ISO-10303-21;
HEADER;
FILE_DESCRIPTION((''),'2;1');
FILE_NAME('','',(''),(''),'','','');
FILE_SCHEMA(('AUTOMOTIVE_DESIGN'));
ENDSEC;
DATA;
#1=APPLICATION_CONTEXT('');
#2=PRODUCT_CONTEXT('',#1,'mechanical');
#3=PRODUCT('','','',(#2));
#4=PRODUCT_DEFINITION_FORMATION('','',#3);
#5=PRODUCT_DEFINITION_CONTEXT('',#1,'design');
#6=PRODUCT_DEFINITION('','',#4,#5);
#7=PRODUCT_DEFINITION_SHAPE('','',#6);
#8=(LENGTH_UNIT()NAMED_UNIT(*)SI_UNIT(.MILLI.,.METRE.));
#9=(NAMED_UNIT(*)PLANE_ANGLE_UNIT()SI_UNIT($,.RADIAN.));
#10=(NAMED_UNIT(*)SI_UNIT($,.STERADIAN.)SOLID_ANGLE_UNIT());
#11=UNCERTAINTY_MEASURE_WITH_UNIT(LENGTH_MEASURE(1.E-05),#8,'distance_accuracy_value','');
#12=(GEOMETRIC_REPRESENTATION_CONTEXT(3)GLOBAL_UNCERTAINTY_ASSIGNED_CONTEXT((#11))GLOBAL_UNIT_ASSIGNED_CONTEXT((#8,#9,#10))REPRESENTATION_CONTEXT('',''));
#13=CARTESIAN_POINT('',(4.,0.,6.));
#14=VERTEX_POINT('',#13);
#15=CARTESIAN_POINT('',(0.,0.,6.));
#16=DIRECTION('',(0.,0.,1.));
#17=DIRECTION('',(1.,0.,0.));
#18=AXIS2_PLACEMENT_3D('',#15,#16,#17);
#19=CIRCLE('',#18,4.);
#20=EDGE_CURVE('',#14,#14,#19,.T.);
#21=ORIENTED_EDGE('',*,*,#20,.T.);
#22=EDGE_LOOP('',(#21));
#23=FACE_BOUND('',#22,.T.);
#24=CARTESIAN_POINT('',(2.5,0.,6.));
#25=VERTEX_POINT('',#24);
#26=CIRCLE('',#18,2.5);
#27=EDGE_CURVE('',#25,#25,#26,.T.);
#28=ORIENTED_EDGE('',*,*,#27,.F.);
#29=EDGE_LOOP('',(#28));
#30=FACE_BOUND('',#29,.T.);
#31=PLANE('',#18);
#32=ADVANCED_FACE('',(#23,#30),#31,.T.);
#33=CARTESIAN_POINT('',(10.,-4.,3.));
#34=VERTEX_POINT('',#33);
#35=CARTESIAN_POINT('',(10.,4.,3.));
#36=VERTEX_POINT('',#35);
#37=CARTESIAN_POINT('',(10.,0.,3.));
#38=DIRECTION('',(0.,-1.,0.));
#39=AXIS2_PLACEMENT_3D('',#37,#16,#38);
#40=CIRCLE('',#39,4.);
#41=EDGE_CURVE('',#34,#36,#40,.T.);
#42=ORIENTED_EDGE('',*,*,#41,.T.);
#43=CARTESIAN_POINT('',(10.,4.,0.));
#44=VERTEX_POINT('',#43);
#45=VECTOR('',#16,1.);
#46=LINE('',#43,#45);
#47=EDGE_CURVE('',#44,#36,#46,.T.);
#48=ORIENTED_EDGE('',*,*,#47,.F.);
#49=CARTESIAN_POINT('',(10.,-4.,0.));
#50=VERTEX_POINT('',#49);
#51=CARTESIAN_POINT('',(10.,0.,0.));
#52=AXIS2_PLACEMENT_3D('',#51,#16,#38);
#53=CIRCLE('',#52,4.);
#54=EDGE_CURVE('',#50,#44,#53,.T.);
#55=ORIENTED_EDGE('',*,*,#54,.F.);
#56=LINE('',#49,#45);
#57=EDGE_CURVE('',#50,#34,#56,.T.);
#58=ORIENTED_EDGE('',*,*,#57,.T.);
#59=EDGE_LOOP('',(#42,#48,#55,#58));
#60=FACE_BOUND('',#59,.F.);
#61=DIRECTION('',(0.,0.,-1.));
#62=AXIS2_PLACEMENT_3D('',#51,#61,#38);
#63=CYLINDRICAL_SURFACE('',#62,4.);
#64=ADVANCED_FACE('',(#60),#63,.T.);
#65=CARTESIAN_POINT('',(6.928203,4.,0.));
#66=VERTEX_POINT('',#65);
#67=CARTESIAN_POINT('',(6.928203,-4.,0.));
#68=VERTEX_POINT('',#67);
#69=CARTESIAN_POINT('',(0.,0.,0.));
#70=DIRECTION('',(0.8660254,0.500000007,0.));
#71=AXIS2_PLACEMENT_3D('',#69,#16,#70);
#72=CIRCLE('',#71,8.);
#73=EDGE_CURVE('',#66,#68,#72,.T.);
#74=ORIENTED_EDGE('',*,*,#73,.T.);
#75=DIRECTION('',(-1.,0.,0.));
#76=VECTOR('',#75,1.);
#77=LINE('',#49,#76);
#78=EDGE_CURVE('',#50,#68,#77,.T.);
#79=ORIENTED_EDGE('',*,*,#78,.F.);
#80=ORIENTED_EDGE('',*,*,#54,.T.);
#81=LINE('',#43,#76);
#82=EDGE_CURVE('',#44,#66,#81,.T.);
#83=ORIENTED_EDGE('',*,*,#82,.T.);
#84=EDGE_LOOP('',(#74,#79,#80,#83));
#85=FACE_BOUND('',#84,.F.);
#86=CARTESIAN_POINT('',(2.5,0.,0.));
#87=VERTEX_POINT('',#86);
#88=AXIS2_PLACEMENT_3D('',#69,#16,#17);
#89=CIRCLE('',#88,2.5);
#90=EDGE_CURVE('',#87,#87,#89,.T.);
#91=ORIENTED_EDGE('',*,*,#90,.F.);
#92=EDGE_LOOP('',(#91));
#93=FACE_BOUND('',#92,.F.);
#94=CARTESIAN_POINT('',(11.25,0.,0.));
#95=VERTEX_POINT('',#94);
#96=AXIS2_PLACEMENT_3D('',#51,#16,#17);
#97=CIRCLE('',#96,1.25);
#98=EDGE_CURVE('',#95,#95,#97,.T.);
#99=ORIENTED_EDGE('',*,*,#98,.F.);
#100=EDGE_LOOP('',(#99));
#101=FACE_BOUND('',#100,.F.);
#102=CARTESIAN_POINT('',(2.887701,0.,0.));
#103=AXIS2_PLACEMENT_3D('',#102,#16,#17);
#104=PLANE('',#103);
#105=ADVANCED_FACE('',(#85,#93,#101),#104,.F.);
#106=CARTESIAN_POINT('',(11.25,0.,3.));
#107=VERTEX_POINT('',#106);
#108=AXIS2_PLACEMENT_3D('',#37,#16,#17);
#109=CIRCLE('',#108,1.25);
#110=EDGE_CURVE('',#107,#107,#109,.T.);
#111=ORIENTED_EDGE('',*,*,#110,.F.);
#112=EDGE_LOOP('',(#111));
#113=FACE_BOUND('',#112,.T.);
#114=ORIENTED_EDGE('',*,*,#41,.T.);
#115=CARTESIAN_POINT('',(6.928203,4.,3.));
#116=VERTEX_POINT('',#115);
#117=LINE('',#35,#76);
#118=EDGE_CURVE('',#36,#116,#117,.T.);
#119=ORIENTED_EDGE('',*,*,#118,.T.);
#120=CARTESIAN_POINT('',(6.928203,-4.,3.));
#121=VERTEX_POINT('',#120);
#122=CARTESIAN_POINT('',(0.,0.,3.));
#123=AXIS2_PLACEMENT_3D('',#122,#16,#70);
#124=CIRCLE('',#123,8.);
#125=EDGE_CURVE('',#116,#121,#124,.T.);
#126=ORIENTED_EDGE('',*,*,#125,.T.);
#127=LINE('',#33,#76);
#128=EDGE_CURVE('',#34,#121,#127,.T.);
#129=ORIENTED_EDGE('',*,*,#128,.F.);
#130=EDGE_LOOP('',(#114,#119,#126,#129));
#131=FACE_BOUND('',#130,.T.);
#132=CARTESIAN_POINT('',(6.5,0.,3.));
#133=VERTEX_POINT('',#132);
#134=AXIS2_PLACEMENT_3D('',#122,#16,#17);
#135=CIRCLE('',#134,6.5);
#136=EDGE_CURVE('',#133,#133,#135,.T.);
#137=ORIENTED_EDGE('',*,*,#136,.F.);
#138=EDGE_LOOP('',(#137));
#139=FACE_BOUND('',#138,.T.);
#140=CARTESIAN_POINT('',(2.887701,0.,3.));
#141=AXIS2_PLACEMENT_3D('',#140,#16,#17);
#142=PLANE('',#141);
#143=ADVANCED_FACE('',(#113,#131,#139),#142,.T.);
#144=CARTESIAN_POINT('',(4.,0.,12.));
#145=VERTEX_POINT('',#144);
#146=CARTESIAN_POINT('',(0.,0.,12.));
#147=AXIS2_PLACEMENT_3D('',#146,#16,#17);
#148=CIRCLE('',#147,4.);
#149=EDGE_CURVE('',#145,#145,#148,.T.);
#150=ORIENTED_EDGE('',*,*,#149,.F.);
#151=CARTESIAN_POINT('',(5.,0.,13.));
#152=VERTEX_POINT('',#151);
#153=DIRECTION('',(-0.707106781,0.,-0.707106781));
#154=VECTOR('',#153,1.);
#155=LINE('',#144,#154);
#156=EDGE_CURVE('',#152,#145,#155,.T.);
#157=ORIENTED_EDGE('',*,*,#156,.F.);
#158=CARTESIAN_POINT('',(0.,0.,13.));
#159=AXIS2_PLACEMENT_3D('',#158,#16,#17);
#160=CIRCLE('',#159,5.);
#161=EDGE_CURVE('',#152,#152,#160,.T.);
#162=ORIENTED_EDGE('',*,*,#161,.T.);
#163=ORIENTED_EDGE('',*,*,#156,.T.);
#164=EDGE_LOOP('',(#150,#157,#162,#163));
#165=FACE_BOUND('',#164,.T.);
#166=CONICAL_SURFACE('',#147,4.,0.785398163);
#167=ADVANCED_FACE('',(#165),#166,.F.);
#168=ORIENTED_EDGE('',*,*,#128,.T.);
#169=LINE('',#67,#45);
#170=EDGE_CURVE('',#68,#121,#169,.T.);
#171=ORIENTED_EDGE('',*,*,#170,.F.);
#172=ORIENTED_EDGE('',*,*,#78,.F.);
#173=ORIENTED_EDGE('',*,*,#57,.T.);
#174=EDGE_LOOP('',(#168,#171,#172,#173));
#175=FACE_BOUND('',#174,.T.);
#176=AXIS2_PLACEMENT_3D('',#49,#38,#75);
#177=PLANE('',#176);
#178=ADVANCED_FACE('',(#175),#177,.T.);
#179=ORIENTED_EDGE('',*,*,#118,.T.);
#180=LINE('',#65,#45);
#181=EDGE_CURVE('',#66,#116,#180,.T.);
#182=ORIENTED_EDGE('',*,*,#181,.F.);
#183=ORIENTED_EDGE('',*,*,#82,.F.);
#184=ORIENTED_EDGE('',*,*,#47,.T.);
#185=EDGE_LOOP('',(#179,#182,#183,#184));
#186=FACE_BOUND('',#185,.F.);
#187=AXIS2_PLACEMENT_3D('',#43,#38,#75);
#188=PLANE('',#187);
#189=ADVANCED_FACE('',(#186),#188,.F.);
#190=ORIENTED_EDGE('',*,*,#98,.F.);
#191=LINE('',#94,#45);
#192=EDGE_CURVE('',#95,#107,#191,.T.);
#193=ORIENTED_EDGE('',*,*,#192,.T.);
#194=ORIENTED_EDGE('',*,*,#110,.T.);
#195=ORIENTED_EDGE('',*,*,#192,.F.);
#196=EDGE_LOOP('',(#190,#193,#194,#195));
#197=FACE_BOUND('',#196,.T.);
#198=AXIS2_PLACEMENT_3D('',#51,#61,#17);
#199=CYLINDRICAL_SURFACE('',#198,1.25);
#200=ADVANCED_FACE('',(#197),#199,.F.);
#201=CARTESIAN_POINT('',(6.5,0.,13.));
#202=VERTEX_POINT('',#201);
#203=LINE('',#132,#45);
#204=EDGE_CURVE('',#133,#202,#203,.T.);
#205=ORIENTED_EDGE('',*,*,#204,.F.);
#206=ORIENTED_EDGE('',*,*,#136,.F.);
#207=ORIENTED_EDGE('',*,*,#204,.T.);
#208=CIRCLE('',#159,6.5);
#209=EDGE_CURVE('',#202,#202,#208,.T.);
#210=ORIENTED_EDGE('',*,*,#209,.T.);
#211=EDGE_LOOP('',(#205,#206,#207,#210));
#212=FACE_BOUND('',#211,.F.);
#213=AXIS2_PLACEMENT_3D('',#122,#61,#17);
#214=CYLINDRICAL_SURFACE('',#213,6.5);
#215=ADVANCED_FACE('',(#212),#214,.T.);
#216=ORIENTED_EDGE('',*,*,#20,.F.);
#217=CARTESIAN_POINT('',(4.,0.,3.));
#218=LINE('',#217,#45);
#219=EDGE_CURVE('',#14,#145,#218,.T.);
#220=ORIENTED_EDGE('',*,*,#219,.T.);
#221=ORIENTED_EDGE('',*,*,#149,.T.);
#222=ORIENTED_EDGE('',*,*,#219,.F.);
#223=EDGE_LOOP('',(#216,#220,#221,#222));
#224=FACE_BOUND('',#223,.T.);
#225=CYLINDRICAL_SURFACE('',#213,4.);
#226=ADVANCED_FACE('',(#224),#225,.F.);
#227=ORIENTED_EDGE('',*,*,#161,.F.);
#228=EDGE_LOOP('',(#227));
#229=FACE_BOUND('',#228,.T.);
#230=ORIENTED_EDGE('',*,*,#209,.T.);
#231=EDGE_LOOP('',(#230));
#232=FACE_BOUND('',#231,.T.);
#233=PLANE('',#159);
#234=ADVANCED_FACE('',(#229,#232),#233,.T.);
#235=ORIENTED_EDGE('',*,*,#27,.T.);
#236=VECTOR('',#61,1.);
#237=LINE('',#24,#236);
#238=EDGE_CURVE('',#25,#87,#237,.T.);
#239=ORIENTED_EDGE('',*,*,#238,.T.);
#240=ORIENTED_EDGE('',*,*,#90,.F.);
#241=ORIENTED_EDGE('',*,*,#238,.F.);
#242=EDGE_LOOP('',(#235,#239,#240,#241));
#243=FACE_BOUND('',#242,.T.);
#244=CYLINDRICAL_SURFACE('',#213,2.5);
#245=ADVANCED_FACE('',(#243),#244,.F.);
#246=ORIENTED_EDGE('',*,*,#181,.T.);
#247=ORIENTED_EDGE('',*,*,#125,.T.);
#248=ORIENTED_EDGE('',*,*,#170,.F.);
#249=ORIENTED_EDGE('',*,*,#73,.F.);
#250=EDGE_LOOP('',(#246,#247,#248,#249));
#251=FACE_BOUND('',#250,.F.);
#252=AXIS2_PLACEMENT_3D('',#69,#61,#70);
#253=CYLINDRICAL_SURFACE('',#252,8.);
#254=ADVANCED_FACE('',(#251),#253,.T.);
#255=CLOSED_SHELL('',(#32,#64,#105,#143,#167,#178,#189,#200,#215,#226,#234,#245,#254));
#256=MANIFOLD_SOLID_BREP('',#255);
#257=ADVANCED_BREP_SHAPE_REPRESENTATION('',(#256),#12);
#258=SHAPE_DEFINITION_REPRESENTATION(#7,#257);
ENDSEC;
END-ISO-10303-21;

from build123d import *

# Parameters (mm, degrees)
SKETCH_R      = 2.5
SKETCH_R_2    = 1.25
PAD_DEPTH     = 3
SKETCH001_R   = 6.5
SKETCH001_R_2 = 4
PAD001_DEPTH  = 10
CHAMFER_SIZE  = 1
SKETCH002_R   = 4
SKETCH002_R_2 = 2.5
PAD002_DEPTH  = 3


with BuildPart() as part:
    # Sketch → Pad (new body)
    with BuildSketch(Plane.XY):
        with BuildLine():
            ThreePointArc((6.928203, 4), (-8, 0), (6.928203, -4))
            Line((10, -4), (6.928203, -4))
            ThreePointArc((10, -4), (14, 0), (10, 4))
            Line((10, 4), (6.928203, 4))
        make_face()
        Circle(SKETCH_R, mode=Mode.SUBTRACT)
        with Locations((10, 0)):
            Circle(SKETCH_R_2, mode=Mode.SUBTRACT)
    extrude(amount=PAD_DEPTH)

    # Sketch001 (on Face8 of Pad) → Pad001 (join)
    with BuildSketch(Plane.XY.offset(3)):
        Circle(SKETCH001_R)
        Circle(SKETCH001_R_2, mode=Mode.SUBTRACT)
    extrude(amount=PAD001_DEPTH)

    # Chamfer
    chamfer_edges = [part.edges().sort_by_distance(p)[0] for p in [
        (-4, 0, 13),
    ]]
    chamfer(chamfer_edges, length=CHAMFER_SIZE)

    # Sketch002 (on Face6 of Chamfer) → Pad002 (join)
    with BuildSketch(Plane.XY.offset(3)):
        Circle(SKETCH002_R)
        Circle(SKETCH002_R_2, mode=Mode.SUBTRACT)
    extrude(amount=PAD002_DEPTH)


solid = part.part
